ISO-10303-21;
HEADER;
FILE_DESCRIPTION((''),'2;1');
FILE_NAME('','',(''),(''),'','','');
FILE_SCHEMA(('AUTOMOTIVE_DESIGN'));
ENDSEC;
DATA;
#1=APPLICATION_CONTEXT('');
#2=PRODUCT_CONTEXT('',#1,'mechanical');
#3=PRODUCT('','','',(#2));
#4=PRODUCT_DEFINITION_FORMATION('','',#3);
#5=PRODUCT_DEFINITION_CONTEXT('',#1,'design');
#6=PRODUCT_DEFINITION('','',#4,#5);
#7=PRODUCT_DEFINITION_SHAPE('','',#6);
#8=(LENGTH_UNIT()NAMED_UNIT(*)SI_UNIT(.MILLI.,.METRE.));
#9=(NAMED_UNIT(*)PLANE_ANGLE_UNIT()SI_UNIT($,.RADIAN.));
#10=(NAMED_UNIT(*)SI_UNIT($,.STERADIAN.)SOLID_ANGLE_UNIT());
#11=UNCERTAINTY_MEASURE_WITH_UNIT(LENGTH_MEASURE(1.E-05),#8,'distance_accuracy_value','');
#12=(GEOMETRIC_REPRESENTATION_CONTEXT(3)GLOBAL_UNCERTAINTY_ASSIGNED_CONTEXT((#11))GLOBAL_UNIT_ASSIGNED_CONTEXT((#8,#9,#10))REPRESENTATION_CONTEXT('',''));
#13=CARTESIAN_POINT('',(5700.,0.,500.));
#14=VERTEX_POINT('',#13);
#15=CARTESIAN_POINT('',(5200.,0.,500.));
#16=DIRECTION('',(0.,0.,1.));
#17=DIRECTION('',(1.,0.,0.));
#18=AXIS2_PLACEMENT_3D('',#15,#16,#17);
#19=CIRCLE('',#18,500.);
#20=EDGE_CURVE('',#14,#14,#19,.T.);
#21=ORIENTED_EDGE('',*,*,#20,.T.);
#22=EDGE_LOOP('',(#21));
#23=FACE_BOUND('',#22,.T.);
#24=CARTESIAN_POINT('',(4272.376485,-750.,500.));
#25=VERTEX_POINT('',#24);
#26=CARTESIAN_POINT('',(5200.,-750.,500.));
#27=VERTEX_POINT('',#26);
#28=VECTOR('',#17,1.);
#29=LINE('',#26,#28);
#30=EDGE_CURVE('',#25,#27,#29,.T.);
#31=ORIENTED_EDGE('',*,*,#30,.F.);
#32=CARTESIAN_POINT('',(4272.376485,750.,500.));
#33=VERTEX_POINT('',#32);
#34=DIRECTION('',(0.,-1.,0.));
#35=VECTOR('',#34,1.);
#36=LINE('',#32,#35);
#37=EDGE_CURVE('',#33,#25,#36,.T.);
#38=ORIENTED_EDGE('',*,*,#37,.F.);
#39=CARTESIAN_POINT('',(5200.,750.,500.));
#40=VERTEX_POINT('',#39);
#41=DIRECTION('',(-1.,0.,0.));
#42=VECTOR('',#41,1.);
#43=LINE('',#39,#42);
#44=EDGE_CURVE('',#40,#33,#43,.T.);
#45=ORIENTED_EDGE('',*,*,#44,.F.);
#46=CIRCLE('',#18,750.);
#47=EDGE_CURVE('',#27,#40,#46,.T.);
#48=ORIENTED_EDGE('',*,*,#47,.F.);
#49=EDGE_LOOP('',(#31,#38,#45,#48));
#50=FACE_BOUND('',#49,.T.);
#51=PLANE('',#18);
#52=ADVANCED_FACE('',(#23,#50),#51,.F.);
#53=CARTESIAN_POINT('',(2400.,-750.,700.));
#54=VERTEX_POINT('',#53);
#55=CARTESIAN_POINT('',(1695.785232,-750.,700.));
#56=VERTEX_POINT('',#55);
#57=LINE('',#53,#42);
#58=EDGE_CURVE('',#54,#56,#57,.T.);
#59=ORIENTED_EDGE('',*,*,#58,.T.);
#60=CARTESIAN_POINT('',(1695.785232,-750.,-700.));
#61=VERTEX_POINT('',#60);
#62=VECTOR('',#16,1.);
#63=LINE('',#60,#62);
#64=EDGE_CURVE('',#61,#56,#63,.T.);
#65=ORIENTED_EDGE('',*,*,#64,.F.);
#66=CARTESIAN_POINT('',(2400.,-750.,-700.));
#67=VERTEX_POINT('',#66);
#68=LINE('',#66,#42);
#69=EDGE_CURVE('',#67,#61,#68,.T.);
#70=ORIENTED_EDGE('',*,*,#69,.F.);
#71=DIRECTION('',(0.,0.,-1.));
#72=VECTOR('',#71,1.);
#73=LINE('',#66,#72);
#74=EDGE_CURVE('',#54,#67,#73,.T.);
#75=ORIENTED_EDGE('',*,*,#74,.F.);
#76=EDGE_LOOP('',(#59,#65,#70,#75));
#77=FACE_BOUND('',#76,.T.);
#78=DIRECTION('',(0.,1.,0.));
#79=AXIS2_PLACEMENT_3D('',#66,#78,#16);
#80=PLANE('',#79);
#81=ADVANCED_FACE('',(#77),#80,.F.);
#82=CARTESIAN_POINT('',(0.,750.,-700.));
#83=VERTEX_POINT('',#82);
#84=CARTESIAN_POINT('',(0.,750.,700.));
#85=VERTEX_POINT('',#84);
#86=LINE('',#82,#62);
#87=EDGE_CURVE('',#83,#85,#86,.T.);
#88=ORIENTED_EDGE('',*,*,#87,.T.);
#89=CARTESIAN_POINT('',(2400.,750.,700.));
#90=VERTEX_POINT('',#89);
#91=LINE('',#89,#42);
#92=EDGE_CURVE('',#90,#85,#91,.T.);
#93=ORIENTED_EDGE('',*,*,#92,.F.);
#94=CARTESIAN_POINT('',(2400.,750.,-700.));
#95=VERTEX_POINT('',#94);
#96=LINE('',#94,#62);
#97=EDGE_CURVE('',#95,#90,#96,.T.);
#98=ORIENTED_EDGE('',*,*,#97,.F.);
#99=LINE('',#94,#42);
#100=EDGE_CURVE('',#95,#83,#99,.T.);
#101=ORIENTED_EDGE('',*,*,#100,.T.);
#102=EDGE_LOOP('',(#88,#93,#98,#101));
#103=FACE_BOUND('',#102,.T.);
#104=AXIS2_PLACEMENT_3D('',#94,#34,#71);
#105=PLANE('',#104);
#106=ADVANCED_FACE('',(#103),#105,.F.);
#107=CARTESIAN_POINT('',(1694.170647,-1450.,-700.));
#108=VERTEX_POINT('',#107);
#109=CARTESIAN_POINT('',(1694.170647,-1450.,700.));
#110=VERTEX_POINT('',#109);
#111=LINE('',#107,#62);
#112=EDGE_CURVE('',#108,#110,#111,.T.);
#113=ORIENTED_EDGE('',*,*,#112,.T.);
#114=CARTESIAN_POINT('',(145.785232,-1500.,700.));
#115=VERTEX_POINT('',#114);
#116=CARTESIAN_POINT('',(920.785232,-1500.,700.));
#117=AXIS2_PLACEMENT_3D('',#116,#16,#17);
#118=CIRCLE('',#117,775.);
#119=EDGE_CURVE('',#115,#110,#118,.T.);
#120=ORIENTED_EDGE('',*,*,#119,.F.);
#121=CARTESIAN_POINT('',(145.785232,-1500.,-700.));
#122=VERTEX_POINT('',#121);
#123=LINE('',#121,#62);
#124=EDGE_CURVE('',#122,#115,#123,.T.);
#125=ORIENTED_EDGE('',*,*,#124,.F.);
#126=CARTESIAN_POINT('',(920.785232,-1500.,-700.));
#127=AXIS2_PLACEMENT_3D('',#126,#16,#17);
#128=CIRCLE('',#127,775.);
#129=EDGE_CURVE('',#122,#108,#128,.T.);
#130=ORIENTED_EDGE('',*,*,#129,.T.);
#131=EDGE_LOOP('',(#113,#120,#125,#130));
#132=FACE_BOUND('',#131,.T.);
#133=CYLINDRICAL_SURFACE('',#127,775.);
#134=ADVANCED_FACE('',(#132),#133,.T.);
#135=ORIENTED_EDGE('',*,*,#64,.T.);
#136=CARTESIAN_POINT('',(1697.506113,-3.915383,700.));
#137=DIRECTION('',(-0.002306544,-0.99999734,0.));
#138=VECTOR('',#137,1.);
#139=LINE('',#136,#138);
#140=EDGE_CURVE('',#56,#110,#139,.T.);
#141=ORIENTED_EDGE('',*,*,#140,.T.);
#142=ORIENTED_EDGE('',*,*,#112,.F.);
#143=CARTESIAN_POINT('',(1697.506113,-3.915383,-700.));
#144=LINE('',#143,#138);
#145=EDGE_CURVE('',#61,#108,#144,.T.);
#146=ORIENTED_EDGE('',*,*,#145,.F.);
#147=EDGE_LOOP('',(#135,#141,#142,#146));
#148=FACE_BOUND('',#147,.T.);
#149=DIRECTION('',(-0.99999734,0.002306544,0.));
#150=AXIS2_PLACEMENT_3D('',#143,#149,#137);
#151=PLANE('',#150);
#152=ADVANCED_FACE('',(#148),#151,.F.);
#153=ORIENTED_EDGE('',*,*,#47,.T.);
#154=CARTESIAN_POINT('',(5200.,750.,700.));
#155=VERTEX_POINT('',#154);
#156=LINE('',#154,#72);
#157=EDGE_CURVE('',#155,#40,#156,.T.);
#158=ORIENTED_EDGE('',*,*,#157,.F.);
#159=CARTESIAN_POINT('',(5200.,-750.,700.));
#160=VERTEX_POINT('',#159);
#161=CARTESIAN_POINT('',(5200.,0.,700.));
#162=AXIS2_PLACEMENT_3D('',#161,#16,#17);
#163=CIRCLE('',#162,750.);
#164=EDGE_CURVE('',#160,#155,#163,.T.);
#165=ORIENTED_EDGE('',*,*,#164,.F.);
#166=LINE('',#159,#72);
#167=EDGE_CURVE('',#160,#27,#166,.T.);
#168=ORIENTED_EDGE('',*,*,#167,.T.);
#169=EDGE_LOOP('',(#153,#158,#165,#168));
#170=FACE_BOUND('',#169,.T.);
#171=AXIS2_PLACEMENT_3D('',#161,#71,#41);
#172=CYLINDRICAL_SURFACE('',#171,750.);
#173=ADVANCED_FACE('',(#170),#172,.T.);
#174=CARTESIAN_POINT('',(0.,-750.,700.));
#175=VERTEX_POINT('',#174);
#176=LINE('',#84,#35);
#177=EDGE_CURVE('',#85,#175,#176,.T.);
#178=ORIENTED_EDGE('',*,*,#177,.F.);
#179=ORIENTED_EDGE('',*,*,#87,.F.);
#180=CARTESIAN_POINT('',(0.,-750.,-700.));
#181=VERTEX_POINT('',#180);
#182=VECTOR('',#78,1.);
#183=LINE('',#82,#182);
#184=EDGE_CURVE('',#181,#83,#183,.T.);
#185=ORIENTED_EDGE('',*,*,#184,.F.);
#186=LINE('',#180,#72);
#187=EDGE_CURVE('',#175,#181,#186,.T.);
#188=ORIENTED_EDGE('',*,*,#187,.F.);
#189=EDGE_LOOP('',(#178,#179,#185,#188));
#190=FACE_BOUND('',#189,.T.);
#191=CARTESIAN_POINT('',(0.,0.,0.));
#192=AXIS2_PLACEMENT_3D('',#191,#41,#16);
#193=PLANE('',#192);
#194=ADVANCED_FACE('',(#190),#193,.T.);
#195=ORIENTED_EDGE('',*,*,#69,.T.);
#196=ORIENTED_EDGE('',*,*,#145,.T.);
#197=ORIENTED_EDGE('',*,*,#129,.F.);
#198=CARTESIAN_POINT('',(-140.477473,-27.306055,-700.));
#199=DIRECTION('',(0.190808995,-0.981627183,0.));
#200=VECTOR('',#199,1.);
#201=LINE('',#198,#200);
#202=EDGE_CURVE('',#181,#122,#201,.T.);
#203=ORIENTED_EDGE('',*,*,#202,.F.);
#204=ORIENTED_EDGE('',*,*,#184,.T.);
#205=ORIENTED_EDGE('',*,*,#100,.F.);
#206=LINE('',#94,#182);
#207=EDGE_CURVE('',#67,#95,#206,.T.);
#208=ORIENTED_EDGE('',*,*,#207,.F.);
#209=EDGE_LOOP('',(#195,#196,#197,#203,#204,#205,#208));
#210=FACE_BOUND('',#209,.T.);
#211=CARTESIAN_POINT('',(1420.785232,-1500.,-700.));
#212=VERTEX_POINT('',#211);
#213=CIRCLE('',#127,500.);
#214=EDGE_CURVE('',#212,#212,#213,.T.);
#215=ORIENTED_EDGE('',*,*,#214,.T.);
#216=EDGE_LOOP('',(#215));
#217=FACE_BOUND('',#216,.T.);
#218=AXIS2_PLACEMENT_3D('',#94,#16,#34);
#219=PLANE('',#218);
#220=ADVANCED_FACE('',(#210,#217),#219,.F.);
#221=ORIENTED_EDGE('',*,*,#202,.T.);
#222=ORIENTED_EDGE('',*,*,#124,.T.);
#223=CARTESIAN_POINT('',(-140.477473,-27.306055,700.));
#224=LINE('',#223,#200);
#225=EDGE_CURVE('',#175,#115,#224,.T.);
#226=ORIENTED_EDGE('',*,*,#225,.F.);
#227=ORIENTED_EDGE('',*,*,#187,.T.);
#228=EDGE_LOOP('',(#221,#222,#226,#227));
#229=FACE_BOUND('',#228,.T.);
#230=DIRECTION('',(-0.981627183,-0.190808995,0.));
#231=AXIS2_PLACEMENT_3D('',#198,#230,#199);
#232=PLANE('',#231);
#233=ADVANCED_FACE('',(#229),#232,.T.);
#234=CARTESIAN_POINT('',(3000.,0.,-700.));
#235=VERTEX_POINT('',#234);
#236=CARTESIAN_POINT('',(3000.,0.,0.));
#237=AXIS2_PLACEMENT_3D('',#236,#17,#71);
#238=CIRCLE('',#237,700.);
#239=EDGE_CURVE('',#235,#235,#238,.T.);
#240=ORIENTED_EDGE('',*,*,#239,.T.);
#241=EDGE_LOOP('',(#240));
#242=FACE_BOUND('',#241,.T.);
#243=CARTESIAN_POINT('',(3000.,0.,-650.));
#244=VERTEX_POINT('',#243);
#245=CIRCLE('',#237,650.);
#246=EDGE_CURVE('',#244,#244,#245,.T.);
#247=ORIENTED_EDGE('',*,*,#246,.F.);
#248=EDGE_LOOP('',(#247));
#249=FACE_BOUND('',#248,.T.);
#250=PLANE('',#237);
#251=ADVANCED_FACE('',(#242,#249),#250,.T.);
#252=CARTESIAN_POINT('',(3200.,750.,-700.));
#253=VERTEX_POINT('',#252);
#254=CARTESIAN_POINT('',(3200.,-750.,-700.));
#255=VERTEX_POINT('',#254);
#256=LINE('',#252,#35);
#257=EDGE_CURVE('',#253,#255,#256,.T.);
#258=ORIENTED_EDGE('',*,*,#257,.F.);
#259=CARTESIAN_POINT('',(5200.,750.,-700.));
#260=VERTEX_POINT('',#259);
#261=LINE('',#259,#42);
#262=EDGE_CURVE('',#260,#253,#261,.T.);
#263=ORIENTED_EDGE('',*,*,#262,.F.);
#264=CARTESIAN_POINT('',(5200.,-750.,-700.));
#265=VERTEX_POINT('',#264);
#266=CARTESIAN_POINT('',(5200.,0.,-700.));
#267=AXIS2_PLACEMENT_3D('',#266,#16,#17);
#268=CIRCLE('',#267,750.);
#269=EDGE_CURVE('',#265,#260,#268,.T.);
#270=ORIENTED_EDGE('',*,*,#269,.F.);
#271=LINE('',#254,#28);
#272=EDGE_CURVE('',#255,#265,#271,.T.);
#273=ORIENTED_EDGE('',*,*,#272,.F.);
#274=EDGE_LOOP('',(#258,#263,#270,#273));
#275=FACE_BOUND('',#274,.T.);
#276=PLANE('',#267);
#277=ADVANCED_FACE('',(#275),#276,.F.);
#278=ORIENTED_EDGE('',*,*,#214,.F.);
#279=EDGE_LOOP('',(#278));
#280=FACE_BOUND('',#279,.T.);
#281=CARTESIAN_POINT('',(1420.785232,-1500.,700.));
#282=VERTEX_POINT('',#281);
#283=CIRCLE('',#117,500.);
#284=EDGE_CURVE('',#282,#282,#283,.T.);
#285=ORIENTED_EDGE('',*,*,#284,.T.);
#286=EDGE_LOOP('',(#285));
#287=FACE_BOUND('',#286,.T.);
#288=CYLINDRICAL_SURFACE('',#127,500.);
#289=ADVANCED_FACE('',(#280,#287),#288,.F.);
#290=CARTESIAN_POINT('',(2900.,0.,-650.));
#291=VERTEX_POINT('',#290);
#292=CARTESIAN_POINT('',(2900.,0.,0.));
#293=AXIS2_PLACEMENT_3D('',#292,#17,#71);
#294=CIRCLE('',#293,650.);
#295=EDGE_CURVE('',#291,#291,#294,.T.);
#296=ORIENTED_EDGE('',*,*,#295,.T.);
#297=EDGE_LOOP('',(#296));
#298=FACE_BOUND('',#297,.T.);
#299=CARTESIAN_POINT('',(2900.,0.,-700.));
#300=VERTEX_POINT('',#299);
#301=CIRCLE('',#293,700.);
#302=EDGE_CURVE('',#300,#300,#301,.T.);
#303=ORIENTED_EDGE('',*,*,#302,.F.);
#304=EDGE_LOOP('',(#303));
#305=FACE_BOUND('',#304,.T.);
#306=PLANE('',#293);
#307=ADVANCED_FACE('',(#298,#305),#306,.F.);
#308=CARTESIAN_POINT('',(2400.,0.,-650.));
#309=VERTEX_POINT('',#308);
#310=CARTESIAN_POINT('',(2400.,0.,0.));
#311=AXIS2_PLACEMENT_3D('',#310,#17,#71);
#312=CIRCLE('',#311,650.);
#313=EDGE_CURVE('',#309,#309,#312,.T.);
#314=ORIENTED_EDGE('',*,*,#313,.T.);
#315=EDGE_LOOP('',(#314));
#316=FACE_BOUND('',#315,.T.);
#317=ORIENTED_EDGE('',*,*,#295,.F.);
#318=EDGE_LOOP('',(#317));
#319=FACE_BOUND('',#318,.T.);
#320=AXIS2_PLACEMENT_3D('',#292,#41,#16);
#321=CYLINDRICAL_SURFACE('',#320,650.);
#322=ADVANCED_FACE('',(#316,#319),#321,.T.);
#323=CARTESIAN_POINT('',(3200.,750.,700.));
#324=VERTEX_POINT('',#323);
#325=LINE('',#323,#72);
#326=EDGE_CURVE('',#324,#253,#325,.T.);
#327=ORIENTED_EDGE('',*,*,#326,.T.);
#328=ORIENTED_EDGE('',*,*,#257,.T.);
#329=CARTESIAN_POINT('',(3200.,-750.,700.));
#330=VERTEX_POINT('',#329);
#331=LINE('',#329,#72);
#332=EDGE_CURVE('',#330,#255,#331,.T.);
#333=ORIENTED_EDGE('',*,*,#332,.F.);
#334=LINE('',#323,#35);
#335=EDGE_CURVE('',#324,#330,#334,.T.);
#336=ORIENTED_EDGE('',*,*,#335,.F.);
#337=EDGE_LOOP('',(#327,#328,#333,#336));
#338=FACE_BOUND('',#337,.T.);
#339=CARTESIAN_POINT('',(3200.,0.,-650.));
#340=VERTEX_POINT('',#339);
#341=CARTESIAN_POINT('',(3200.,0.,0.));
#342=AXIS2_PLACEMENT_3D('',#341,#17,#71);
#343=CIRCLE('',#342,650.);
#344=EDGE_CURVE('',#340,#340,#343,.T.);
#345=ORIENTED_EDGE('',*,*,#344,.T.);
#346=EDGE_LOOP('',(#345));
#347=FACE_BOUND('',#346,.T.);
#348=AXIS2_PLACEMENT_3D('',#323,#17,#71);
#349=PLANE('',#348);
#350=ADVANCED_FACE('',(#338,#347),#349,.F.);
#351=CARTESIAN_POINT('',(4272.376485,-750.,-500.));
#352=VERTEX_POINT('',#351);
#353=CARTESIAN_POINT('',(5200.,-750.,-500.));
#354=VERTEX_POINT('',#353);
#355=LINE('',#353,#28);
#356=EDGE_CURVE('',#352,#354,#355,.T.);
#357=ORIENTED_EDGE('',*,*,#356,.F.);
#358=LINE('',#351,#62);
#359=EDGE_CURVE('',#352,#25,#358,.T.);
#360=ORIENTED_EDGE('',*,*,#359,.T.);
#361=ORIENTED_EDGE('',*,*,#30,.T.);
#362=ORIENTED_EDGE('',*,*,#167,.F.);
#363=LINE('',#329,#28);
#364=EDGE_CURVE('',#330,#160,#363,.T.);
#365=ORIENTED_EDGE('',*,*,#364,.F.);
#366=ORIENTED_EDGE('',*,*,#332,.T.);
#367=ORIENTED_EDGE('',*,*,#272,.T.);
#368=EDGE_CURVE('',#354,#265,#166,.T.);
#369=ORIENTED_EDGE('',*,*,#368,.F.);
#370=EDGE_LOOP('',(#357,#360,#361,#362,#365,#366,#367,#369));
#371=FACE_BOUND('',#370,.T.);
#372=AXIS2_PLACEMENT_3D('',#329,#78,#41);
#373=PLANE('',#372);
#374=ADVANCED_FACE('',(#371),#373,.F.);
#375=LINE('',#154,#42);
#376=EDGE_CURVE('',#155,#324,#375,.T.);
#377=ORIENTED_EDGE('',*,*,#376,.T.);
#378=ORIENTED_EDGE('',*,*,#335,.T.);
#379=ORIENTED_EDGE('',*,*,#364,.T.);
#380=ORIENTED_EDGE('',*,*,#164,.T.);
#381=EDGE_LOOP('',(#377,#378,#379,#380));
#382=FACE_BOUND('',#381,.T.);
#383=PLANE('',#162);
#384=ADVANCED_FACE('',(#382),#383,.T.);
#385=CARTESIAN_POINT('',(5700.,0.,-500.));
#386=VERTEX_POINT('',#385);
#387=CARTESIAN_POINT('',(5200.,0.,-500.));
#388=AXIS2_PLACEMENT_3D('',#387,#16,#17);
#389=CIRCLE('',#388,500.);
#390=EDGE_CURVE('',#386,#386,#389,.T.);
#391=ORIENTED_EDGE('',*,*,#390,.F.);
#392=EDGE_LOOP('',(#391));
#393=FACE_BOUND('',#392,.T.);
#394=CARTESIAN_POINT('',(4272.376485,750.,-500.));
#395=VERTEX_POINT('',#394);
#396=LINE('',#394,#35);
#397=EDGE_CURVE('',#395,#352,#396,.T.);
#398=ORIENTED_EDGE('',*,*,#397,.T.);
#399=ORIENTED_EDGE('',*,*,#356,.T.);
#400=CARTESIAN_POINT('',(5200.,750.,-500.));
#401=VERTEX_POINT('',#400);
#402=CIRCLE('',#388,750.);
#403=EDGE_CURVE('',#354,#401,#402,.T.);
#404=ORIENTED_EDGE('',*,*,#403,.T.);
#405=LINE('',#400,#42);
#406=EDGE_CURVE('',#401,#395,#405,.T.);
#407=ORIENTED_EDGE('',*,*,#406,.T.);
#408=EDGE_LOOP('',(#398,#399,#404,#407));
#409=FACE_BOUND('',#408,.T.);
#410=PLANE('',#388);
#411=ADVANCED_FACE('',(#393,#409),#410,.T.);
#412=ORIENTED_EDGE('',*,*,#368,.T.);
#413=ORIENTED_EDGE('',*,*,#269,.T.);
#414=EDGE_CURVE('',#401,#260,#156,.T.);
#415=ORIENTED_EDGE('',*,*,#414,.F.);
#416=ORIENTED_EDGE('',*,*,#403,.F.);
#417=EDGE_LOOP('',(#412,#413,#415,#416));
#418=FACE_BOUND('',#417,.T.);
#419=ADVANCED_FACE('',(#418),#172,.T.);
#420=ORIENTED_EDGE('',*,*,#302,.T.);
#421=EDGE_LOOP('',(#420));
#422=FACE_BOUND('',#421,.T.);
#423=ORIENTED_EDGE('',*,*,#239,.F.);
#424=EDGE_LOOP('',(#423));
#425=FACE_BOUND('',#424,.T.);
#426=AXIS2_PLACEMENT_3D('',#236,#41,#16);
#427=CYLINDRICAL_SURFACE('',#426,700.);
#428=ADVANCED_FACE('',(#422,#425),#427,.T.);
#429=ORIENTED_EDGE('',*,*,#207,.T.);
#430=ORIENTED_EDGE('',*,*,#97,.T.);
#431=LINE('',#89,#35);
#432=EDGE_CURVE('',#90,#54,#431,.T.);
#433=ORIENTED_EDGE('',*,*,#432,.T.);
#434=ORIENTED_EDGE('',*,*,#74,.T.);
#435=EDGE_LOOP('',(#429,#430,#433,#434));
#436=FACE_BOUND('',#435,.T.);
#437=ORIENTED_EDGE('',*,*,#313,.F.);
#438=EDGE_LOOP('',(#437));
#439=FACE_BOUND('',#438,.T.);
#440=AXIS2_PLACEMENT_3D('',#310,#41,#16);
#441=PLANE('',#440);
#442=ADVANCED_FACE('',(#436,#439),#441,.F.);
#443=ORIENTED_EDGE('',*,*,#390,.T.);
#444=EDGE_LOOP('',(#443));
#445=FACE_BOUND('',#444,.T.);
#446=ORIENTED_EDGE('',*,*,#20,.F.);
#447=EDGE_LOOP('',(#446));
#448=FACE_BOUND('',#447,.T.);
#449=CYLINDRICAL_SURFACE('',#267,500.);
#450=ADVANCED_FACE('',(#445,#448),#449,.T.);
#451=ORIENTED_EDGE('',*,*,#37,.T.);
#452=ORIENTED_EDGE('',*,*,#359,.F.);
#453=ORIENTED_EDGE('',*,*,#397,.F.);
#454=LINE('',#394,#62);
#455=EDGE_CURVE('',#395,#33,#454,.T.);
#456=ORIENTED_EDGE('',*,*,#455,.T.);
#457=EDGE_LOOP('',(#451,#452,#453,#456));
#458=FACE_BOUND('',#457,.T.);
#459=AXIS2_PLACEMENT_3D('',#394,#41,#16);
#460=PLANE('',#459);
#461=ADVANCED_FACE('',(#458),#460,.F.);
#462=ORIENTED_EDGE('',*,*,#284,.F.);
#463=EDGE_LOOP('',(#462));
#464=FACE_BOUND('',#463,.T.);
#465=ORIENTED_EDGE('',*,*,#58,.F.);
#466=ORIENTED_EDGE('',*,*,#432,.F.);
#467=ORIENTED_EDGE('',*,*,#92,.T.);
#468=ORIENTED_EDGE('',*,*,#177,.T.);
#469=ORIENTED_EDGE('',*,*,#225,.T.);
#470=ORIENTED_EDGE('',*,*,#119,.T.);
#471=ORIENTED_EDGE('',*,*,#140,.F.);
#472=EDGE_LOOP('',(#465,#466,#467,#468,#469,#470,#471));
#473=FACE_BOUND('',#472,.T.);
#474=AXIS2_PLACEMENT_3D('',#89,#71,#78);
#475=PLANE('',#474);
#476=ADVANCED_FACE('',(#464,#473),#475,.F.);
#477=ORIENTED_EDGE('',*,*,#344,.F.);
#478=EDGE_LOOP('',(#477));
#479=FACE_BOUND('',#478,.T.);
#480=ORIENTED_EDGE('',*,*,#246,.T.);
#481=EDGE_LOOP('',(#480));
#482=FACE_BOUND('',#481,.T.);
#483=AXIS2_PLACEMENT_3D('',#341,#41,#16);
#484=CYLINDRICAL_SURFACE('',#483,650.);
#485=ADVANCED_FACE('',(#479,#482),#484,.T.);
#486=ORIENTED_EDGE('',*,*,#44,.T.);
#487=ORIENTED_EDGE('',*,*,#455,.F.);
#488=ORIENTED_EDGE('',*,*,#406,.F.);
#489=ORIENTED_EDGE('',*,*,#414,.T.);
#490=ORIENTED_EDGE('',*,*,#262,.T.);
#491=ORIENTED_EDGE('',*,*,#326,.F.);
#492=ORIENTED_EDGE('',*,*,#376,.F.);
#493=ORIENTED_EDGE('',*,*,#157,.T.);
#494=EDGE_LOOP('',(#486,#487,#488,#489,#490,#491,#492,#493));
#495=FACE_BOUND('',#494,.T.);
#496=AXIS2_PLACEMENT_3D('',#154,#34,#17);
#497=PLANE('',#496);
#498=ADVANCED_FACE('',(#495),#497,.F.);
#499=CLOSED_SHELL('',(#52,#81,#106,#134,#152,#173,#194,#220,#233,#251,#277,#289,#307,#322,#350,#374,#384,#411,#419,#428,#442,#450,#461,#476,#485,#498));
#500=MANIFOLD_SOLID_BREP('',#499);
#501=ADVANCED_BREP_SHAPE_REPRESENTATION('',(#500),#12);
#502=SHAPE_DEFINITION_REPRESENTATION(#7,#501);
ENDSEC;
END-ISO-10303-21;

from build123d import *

# Parameters (mm, degrees)
SKETCH1_W           = 1400
SKETCH1_H           = 1500
BOSS_EXTRUDE1_DEPTH = 2400
SKETCH2_R           = 650
BOSS_EXTRUDE2_DEPTH = 500
SKETCH3_R           = 700
BOSS_EXTRUDE3_DEPTH = 100
SKETCH4_R           = 500
BOSS_EXTRUDE4_DEPTH = 1400
SKETCH5_R           = 650
BOSS_EXTRUDE5_DEPTH = 200
BOSS_EXTRUDE7_DEPTH = 700
CUT_EXTRUDE1_DEPTH  = 500
BOSS_EXTRUDE8_REACH = 6524.126
SKETCH8_R           = 500


with BuildPart() as part:
    # Sketch1 → Boss-Extrude1 (new body)
    with BuildSketch(Plane(origin=(0, 0, 0), x_dir=(0, 0, -1), z_dir=(1, 0, 0))):
        Rectangle(SKETCH1_W, SKETCH1_H)
    extrude(amount=BOSS_EXTRUDE1_DEPTH)

    # Sketch2 → Boss-Extrude2 (add)
    with BuildSketch(Plane(origin=(2400, 0, 0), x_dir=(0, 0, -1), z_dir=(1, 0, 0))):
        Circle(SKETCH2_R)
    extrude(amount=BOSS_EXTRUDE2_DEPTH)

    # Sketch3 → Boss-Extrude3 (add)
    with BuildSketch(Plane(origin=(2900, 0, 0), x_dir=(0, 0, -1), z_dir=(1, 0, 0))):
        Circle(SKETCH3_R)
    extrude(amount=BOSS_EXTRUDE3_DEPTH)

    # Sketch4 → Boss-Extrude4 (add)
    with BuildSketch(Plane.XY.offset(700)):
        with BuildLine():
            Line((1695.785231853, -750), (0, -750))
            Line((0, -750), (145.785231853, -1500))
            ThreePointArc((145.785231853, -1500), (945.798262882, -2274.596248557), (1694.170646766, -1450))
            Line((1694.170646766, -1450), (1695.785231853, -750))
        make_face()
        with Locations((920.785231853, -1500)):
            Circle(SKETCH4_R, mode=Mode.SUBTRACT)
    extrude(amount=-BOSS_EXTRUDE4_DEPTH)

    # Sketch5 → Boss-Extrude5 (add)
    with BuildSketch(Plane(origin=(3000, 0, 0), x_dir=(0, 0, -1), z_dir=(1, 0, 0))):
        Circle(SKETCH5_R)
    extrude(amount=BOSS_EXTRUDE5_DEPTH)

    # Sketch6 → Boss-Extrude7 (add, symmetric)
    with BuildSketch(Plane.XY):
        with BuildLine():
            Line((5200, 750), (3200, 750))
            Line((3200, 750), (3200, -750))
            Line((3200, -750), (5200, -750))
            ThreePointArc((5200, -750), (5950, 0), (5200, 750))
        make_face()
    extrude(amount=BOSS_EXTRUDE7_DEPTH, both=True)

    # Sketch7 → Cut-Extrude1 (cut, symmetric)
    with BuildSketch(Plane.XY):
        with BuildLine():
            Line((5200, 750), (4272.376484701, 750))
            Line((4272.376484701, 750), (4272.376484701, -750))
            Line((4272.376484701, -750), (5200, -750))
            ThreePointArc((5200, -750), (5950, 0), (5200, 750))
        make_face()
    extrude(amount=CUT_EXTRUDE1_DEPTH, both=True, mode=Mode.SUBTRACT)

    # Sketch8 → Boss-Extrude8 (add, up to next)
    with BuildSketch(Plane.XY.offset(700), mode=Mode.PRIVATE) as boss_extrude8_sk1:
        with Locations((5200, 0)):
            Circle(SKETCH8_R)
    boss_extrude8_tool1 = extrude(boss_extrude8_sk1.sketch, amount=-BOSS_EXTRUDE8_REACH, mode=Mode.PRIVATE) - part.part
    add(boss_extrude8_tool1.solids().sort_by_distance((5200, 0, 700))[0])


solid = part.part
